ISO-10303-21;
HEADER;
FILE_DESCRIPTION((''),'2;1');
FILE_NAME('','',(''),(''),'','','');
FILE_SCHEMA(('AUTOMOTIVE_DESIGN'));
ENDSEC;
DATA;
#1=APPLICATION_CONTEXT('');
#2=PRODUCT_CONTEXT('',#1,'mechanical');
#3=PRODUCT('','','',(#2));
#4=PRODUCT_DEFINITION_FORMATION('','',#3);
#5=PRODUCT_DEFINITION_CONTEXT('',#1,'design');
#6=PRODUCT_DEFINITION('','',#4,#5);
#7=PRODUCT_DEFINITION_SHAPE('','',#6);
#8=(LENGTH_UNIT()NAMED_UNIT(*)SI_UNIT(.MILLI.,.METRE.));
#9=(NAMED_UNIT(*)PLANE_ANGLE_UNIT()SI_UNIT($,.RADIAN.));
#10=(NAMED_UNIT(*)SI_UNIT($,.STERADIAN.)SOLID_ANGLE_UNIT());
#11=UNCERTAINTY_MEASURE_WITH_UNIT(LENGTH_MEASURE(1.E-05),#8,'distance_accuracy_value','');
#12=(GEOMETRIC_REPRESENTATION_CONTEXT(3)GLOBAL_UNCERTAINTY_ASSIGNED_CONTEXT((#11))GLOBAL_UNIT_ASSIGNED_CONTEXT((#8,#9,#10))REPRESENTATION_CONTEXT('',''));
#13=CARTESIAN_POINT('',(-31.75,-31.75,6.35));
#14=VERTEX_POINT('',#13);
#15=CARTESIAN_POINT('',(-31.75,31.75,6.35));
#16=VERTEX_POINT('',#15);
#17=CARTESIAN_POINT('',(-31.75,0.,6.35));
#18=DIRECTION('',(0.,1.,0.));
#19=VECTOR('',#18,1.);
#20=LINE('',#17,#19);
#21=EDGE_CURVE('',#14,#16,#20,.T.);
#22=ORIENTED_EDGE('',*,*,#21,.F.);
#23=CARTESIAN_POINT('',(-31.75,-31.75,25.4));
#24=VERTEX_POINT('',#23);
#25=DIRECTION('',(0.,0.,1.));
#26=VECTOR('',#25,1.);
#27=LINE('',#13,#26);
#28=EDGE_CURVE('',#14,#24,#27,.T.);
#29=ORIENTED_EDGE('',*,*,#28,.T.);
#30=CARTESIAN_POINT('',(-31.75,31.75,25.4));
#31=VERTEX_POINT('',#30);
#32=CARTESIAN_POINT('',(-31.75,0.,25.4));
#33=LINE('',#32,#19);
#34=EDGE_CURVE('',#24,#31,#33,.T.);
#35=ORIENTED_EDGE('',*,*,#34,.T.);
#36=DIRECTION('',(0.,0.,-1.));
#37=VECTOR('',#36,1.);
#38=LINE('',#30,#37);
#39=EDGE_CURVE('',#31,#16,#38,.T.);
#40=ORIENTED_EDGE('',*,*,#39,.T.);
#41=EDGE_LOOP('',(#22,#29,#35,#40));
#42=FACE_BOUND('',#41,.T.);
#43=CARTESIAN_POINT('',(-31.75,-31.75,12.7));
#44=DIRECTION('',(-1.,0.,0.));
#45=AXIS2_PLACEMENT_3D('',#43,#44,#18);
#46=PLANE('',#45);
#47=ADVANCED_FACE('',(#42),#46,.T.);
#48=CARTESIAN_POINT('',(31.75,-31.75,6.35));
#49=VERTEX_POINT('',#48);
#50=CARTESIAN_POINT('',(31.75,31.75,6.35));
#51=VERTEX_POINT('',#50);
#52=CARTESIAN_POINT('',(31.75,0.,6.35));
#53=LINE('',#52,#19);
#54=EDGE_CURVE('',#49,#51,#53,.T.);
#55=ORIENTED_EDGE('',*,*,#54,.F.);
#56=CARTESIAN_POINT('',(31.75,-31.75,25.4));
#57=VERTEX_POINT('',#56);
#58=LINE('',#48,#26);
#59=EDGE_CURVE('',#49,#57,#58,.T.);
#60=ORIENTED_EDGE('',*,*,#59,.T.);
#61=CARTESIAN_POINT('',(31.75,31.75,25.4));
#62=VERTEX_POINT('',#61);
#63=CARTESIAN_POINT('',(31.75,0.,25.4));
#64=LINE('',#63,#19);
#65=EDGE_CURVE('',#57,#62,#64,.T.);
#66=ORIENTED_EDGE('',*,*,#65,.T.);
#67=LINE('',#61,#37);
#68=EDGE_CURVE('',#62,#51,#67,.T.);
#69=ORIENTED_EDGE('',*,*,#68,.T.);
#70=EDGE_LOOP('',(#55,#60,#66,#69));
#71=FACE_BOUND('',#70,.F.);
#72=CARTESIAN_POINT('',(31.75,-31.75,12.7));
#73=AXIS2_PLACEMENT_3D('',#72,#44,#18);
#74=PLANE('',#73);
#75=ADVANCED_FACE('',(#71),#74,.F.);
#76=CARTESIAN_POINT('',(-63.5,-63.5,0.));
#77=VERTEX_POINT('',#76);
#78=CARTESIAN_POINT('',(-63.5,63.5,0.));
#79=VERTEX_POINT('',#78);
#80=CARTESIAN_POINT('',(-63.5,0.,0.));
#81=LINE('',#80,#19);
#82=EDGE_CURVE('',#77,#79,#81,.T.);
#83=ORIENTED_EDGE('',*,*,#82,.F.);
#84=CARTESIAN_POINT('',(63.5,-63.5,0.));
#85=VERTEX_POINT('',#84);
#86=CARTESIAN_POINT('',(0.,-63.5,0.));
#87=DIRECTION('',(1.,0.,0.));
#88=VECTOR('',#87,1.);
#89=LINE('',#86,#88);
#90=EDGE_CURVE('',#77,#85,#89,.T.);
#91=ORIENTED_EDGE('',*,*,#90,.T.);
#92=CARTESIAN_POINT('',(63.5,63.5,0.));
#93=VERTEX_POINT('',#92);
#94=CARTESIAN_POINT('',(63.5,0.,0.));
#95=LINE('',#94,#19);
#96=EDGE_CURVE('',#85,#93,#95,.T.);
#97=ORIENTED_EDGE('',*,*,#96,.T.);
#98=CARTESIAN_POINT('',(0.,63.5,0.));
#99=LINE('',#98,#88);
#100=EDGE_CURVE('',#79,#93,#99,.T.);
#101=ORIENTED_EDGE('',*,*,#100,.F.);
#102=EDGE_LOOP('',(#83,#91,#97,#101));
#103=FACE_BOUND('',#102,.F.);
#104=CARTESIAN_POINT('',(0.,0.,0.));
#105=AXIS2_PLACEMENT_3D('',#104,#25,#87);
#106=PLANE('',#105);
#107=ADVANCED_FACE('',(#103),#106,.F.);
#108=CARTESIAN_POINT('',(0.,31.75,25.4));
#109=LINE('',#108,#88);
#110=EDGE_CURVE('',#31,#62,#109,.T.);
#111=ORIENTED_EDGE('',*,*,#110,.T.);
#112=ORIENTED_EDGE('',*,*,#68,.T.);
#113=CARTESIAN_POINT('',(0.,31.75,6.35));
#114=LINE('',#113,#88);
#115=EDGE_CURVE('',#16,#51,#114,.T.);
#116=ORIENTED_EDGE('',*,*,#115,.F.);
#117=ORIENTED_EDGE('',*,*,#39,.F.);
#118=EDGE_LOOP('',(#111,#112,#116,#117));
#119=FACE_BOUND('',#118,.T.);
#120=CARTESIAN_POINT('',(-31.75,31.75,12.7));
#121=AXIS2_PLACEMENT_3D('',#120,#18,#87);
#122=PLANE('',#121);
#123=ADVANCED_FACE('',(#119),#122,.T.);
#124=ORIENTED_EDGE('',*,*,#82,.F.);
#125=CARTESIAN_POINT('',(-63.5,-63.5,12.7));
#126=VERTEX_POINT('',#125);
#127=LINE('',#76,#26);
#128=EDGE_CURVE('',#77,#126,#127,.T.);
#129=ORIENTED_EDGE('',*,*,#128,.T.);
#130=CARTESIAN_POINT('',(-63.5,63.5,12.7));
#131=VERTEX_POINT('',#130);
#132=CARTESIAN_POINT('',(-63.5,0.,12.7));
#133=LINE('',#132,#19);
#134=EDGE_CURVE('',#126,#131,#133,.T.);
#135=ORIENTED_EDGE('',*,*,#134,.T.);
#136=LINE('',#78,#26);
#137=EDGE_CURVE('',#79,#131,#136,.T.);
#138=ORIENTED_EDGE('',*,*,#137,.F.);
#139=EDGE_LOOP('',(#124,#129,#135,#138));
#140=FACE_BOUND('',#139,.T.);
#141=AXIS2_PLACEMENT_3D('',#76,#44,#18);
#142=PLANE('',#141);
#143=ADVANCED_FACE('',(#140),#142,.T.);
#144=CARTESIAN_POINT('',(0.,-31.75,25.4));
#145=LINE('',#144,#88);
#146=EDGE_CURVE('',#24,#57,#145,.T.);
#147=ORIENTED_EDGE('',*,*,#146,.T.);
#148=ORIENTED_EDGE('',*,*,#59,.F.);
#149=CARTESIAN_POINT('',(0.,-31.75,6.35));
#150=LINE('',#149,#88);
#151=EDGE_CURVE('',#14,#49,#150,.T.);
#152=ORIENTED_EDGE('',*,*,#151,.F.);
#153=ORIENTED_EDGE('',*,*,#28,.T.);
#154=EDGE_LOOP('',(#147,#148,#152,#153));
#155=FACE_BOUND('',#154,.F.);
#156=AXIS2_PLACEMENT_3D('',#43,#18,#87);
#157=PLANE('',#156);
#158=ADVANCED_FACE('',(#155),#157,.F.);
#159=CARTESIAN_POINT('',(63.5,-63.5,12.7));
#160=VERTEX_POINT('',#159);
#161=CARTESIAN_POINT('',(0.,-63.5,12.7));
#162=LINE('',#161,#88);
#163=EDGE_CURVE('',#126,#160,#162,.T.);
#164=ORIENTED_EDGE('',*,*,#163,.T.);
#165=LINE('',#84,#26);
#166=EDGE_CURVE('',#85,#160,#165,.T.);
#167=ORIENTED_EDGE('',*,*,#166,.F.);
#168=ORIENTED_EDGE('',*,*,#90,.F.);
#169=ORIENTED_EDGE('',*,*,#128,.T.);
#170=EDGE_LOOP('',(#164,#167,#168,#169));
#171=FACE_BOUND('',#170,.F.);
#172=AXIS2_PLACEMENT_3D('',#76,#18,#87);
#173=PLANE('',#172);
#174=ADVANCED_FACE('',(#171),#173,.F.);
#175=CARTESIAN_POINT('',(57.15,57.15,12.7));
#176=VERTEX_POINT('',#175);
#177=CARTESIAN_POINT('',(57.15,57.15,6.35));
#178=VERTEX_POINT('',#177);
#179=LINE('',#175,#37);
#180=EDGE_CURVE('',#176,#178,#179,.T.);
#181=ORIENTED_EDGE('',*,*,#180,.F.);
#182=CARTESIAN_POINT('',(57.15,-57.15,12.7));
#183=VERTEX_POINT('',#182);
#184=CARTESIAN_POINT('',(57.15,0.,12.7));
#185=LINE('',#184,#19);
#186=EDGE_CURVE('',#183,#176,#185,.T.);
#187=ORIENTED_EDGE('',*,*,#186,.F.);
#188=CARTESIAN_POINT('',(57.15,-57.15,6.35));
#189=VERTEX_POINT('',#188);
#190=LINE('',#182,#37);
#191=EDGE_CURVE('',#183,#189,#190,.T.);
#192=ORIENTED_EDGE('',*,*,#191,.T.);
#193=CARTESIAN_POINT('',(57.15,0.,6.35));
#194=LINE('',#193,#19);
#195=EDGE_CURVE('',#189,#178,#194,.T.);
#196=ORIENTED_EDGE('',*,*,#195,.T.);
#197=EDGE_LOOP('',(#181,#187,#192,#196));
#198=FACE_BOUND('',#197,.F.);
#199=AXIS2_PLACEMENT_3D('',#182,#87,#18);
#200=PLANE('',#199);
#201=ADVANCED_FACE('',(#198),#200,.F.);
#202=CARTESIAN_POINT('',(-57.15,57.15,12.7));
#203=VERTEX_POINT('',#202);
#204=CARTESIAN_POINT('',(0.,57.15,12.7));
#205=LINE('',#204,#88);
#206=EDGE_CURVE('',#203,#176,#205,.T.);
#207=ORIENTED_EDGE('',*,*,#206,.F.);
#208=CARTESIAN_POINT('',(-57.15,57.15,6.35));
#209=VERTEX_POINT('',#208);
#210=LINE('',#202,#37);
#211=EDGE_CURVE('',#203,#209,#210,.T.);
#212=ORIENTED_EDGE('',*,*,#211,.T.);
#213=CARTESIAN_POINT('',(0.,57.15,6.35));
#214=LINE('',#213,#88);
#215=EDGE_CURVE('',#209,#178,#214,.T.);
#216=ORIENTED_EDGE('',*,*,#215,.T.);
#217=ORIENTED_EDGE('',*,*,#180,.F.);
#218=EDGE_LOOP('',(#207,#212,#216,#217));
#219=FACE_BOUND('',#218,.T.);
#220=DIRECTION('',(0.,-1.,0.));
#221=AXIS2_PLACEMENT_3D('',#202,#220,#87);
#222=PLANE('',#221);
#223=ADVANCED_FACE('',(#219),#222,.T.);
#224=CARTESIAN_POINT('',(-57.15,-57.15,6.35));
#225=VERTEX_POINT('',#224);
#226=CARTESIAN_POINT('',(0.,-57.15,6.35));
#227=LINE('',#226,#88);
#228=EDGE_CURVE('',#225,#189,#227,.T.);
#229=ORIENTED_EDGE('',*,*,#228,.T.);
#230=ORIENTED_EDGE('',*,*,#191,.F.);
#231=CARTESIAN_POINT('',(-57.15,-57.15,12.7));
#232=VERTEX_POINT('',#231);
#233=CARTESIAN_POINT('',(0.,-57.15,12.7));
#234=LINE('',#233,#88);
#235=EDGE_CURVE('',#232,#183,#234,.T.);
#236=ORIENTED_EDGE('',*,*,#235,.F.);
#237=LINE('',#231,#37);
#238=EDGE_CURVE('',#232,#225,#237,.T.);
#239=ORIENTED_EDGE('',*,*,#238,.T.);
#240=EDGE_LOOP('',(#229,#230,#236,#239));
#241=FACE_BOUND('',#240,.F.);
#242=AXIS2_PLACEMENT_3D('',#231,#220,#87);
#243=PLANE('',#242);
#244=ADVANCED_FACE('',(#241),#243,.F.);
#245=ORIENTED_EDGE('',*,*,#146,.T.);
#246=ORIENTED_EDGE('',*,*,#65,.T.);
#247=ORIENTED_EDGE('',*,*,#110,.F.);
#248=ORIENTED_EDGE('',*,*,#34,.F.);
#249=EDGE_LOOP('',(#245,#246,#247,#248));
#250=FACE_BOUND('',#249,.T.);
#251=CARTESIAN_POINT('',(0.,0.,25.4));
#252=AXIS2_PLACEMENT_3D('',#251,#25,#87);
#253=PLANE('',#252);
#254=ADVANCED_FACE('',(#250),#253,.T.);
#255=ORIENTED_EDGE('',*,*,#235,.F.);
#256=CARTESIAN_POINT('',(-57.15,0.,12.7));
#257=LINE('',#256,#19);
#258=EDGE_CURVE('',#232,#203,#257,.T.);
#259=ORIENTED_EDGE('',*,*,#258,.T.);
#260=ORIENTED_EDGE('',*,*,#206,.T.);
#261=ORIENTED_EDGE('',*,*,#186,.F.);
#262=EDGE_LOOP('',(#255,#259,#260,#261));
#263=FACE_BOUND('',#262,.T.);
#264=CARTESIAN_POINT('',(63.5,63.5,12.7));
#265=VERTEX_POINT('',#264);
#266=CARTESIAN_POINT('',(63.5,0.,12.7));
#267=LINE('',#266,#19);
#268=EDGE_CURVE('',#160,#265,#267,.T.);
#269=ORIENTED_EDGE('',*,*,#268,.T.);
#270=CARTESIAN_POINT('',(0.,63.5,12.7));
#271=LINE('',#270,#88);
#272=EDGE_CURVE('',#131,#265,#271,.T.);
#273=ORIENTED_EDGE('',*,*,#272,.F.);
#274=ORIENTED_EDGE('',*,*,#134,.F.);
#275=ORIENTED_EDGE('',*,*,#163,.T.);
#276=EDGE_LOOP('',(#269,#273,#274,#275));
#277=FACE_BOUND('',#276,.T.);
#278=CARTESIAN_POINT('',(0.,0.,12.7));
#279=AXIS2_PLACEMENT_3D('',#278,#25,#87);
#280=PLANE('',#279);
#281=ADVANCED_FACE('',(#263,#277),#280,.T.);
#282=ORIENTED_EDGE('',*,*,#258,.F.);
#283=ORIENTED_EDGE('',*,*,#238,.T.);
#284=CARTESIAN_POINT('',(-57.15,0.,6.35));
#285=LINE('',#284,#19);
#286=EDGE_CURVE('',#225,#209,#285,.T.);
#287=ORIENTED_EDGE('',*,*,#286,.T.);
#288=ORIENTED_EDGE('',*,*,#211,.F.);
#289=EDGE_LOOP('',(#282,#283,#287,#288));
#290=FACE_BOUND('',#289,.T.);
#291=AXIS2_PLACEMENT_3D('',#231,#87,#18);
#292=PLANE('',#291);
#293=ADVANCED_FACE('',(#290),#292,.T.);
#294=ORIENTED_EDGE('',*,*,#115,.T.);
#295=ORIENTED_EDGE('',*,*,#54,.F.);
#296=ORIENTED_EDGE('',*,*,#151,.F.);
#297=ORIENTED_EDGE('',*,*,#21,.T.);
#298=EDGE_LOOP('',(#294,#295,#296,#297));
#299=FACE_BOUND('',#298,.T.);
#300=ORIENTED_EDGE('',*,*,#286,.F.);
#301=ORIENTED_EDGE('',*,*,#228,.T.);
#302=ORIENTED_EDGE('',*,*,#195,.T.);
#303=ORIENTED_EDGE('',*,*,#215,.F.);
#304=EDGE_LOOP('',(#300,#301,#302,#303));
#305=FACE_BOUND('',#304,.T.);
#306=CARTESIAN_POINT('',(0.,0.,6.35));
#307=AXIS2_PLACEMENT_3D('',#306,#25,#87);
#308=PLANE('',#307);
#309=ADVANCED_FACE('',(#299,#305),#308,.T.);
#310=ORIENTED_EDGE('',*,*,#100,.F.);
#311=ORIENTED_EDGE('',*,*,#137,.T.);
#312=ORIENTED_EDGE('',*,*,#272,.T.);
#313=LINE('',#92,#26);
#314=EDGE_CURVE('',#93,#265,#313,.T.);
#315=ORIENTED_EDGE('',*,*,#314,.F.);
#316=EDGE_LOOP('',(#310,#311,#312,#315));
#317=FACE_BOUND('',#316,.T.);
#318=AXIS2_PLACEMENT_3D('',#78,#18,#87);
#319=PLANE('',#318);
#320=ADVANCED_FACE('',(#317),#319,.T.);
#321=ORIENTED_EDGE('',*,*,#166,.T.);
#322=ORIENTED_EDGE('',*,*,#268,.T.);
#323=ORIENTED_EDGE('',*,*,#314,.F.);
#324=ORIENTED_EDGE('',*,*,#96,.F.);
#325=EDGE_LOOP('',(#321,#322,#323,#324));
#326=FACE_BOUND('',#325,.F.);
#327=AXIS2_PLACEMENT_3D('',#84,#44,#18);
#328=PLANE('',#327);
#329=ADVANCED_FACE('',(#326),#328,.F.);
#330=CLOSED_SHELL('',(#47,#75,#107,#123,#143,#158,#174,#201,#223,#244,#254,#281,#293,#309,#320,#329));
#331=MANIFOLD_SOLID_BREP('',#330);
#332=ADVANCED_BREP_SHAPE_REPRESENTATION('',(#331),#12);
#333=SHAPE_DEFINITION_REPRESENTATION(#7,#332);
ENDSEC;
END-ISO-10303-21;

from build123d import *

# Parameters (mm, degrees)
F0_W      = 127
F0_H      = 127
F1_DEPTH  = 12.7
F2_W      = 114.3
F2_H      = 114.3
F2_W_2    = 63.5
F2_H_2    = 63.5
F3_DEPTH  = 6.35
F3_FACE_W = 63.5
F3_FACE_H = 63.5
F4_DEPTH  = 12.7


with BuildPart() as f1:
    # F0 (on Top) → F1 (new body)
    with BuildSketch(Plane.XY):
        Rectangle(F0_W, F0_H)
    extrude(amount=F1_DEPTH)

    # F2 (on face) → F3 (cut)
    with BuildSketch(Plane.XY.offset(12.7)):
        Rectangle(F2_W, F2_H)
        Rectangle(F2_W_2, F2_H_2, mode=Mode.SUBTRACT)
    extrude(amount=-F3_DEPTH, mode=Mode.SUBTRACT)

    # F3_face (on face) → F4 (join)
    with BuildSketch(Plane.XY.offset(12.7)):
        Rectangle(F3_FACE_W, F3_FACE_H)
    extrude(amount=F4_DEPTH)


solid = f1.part
